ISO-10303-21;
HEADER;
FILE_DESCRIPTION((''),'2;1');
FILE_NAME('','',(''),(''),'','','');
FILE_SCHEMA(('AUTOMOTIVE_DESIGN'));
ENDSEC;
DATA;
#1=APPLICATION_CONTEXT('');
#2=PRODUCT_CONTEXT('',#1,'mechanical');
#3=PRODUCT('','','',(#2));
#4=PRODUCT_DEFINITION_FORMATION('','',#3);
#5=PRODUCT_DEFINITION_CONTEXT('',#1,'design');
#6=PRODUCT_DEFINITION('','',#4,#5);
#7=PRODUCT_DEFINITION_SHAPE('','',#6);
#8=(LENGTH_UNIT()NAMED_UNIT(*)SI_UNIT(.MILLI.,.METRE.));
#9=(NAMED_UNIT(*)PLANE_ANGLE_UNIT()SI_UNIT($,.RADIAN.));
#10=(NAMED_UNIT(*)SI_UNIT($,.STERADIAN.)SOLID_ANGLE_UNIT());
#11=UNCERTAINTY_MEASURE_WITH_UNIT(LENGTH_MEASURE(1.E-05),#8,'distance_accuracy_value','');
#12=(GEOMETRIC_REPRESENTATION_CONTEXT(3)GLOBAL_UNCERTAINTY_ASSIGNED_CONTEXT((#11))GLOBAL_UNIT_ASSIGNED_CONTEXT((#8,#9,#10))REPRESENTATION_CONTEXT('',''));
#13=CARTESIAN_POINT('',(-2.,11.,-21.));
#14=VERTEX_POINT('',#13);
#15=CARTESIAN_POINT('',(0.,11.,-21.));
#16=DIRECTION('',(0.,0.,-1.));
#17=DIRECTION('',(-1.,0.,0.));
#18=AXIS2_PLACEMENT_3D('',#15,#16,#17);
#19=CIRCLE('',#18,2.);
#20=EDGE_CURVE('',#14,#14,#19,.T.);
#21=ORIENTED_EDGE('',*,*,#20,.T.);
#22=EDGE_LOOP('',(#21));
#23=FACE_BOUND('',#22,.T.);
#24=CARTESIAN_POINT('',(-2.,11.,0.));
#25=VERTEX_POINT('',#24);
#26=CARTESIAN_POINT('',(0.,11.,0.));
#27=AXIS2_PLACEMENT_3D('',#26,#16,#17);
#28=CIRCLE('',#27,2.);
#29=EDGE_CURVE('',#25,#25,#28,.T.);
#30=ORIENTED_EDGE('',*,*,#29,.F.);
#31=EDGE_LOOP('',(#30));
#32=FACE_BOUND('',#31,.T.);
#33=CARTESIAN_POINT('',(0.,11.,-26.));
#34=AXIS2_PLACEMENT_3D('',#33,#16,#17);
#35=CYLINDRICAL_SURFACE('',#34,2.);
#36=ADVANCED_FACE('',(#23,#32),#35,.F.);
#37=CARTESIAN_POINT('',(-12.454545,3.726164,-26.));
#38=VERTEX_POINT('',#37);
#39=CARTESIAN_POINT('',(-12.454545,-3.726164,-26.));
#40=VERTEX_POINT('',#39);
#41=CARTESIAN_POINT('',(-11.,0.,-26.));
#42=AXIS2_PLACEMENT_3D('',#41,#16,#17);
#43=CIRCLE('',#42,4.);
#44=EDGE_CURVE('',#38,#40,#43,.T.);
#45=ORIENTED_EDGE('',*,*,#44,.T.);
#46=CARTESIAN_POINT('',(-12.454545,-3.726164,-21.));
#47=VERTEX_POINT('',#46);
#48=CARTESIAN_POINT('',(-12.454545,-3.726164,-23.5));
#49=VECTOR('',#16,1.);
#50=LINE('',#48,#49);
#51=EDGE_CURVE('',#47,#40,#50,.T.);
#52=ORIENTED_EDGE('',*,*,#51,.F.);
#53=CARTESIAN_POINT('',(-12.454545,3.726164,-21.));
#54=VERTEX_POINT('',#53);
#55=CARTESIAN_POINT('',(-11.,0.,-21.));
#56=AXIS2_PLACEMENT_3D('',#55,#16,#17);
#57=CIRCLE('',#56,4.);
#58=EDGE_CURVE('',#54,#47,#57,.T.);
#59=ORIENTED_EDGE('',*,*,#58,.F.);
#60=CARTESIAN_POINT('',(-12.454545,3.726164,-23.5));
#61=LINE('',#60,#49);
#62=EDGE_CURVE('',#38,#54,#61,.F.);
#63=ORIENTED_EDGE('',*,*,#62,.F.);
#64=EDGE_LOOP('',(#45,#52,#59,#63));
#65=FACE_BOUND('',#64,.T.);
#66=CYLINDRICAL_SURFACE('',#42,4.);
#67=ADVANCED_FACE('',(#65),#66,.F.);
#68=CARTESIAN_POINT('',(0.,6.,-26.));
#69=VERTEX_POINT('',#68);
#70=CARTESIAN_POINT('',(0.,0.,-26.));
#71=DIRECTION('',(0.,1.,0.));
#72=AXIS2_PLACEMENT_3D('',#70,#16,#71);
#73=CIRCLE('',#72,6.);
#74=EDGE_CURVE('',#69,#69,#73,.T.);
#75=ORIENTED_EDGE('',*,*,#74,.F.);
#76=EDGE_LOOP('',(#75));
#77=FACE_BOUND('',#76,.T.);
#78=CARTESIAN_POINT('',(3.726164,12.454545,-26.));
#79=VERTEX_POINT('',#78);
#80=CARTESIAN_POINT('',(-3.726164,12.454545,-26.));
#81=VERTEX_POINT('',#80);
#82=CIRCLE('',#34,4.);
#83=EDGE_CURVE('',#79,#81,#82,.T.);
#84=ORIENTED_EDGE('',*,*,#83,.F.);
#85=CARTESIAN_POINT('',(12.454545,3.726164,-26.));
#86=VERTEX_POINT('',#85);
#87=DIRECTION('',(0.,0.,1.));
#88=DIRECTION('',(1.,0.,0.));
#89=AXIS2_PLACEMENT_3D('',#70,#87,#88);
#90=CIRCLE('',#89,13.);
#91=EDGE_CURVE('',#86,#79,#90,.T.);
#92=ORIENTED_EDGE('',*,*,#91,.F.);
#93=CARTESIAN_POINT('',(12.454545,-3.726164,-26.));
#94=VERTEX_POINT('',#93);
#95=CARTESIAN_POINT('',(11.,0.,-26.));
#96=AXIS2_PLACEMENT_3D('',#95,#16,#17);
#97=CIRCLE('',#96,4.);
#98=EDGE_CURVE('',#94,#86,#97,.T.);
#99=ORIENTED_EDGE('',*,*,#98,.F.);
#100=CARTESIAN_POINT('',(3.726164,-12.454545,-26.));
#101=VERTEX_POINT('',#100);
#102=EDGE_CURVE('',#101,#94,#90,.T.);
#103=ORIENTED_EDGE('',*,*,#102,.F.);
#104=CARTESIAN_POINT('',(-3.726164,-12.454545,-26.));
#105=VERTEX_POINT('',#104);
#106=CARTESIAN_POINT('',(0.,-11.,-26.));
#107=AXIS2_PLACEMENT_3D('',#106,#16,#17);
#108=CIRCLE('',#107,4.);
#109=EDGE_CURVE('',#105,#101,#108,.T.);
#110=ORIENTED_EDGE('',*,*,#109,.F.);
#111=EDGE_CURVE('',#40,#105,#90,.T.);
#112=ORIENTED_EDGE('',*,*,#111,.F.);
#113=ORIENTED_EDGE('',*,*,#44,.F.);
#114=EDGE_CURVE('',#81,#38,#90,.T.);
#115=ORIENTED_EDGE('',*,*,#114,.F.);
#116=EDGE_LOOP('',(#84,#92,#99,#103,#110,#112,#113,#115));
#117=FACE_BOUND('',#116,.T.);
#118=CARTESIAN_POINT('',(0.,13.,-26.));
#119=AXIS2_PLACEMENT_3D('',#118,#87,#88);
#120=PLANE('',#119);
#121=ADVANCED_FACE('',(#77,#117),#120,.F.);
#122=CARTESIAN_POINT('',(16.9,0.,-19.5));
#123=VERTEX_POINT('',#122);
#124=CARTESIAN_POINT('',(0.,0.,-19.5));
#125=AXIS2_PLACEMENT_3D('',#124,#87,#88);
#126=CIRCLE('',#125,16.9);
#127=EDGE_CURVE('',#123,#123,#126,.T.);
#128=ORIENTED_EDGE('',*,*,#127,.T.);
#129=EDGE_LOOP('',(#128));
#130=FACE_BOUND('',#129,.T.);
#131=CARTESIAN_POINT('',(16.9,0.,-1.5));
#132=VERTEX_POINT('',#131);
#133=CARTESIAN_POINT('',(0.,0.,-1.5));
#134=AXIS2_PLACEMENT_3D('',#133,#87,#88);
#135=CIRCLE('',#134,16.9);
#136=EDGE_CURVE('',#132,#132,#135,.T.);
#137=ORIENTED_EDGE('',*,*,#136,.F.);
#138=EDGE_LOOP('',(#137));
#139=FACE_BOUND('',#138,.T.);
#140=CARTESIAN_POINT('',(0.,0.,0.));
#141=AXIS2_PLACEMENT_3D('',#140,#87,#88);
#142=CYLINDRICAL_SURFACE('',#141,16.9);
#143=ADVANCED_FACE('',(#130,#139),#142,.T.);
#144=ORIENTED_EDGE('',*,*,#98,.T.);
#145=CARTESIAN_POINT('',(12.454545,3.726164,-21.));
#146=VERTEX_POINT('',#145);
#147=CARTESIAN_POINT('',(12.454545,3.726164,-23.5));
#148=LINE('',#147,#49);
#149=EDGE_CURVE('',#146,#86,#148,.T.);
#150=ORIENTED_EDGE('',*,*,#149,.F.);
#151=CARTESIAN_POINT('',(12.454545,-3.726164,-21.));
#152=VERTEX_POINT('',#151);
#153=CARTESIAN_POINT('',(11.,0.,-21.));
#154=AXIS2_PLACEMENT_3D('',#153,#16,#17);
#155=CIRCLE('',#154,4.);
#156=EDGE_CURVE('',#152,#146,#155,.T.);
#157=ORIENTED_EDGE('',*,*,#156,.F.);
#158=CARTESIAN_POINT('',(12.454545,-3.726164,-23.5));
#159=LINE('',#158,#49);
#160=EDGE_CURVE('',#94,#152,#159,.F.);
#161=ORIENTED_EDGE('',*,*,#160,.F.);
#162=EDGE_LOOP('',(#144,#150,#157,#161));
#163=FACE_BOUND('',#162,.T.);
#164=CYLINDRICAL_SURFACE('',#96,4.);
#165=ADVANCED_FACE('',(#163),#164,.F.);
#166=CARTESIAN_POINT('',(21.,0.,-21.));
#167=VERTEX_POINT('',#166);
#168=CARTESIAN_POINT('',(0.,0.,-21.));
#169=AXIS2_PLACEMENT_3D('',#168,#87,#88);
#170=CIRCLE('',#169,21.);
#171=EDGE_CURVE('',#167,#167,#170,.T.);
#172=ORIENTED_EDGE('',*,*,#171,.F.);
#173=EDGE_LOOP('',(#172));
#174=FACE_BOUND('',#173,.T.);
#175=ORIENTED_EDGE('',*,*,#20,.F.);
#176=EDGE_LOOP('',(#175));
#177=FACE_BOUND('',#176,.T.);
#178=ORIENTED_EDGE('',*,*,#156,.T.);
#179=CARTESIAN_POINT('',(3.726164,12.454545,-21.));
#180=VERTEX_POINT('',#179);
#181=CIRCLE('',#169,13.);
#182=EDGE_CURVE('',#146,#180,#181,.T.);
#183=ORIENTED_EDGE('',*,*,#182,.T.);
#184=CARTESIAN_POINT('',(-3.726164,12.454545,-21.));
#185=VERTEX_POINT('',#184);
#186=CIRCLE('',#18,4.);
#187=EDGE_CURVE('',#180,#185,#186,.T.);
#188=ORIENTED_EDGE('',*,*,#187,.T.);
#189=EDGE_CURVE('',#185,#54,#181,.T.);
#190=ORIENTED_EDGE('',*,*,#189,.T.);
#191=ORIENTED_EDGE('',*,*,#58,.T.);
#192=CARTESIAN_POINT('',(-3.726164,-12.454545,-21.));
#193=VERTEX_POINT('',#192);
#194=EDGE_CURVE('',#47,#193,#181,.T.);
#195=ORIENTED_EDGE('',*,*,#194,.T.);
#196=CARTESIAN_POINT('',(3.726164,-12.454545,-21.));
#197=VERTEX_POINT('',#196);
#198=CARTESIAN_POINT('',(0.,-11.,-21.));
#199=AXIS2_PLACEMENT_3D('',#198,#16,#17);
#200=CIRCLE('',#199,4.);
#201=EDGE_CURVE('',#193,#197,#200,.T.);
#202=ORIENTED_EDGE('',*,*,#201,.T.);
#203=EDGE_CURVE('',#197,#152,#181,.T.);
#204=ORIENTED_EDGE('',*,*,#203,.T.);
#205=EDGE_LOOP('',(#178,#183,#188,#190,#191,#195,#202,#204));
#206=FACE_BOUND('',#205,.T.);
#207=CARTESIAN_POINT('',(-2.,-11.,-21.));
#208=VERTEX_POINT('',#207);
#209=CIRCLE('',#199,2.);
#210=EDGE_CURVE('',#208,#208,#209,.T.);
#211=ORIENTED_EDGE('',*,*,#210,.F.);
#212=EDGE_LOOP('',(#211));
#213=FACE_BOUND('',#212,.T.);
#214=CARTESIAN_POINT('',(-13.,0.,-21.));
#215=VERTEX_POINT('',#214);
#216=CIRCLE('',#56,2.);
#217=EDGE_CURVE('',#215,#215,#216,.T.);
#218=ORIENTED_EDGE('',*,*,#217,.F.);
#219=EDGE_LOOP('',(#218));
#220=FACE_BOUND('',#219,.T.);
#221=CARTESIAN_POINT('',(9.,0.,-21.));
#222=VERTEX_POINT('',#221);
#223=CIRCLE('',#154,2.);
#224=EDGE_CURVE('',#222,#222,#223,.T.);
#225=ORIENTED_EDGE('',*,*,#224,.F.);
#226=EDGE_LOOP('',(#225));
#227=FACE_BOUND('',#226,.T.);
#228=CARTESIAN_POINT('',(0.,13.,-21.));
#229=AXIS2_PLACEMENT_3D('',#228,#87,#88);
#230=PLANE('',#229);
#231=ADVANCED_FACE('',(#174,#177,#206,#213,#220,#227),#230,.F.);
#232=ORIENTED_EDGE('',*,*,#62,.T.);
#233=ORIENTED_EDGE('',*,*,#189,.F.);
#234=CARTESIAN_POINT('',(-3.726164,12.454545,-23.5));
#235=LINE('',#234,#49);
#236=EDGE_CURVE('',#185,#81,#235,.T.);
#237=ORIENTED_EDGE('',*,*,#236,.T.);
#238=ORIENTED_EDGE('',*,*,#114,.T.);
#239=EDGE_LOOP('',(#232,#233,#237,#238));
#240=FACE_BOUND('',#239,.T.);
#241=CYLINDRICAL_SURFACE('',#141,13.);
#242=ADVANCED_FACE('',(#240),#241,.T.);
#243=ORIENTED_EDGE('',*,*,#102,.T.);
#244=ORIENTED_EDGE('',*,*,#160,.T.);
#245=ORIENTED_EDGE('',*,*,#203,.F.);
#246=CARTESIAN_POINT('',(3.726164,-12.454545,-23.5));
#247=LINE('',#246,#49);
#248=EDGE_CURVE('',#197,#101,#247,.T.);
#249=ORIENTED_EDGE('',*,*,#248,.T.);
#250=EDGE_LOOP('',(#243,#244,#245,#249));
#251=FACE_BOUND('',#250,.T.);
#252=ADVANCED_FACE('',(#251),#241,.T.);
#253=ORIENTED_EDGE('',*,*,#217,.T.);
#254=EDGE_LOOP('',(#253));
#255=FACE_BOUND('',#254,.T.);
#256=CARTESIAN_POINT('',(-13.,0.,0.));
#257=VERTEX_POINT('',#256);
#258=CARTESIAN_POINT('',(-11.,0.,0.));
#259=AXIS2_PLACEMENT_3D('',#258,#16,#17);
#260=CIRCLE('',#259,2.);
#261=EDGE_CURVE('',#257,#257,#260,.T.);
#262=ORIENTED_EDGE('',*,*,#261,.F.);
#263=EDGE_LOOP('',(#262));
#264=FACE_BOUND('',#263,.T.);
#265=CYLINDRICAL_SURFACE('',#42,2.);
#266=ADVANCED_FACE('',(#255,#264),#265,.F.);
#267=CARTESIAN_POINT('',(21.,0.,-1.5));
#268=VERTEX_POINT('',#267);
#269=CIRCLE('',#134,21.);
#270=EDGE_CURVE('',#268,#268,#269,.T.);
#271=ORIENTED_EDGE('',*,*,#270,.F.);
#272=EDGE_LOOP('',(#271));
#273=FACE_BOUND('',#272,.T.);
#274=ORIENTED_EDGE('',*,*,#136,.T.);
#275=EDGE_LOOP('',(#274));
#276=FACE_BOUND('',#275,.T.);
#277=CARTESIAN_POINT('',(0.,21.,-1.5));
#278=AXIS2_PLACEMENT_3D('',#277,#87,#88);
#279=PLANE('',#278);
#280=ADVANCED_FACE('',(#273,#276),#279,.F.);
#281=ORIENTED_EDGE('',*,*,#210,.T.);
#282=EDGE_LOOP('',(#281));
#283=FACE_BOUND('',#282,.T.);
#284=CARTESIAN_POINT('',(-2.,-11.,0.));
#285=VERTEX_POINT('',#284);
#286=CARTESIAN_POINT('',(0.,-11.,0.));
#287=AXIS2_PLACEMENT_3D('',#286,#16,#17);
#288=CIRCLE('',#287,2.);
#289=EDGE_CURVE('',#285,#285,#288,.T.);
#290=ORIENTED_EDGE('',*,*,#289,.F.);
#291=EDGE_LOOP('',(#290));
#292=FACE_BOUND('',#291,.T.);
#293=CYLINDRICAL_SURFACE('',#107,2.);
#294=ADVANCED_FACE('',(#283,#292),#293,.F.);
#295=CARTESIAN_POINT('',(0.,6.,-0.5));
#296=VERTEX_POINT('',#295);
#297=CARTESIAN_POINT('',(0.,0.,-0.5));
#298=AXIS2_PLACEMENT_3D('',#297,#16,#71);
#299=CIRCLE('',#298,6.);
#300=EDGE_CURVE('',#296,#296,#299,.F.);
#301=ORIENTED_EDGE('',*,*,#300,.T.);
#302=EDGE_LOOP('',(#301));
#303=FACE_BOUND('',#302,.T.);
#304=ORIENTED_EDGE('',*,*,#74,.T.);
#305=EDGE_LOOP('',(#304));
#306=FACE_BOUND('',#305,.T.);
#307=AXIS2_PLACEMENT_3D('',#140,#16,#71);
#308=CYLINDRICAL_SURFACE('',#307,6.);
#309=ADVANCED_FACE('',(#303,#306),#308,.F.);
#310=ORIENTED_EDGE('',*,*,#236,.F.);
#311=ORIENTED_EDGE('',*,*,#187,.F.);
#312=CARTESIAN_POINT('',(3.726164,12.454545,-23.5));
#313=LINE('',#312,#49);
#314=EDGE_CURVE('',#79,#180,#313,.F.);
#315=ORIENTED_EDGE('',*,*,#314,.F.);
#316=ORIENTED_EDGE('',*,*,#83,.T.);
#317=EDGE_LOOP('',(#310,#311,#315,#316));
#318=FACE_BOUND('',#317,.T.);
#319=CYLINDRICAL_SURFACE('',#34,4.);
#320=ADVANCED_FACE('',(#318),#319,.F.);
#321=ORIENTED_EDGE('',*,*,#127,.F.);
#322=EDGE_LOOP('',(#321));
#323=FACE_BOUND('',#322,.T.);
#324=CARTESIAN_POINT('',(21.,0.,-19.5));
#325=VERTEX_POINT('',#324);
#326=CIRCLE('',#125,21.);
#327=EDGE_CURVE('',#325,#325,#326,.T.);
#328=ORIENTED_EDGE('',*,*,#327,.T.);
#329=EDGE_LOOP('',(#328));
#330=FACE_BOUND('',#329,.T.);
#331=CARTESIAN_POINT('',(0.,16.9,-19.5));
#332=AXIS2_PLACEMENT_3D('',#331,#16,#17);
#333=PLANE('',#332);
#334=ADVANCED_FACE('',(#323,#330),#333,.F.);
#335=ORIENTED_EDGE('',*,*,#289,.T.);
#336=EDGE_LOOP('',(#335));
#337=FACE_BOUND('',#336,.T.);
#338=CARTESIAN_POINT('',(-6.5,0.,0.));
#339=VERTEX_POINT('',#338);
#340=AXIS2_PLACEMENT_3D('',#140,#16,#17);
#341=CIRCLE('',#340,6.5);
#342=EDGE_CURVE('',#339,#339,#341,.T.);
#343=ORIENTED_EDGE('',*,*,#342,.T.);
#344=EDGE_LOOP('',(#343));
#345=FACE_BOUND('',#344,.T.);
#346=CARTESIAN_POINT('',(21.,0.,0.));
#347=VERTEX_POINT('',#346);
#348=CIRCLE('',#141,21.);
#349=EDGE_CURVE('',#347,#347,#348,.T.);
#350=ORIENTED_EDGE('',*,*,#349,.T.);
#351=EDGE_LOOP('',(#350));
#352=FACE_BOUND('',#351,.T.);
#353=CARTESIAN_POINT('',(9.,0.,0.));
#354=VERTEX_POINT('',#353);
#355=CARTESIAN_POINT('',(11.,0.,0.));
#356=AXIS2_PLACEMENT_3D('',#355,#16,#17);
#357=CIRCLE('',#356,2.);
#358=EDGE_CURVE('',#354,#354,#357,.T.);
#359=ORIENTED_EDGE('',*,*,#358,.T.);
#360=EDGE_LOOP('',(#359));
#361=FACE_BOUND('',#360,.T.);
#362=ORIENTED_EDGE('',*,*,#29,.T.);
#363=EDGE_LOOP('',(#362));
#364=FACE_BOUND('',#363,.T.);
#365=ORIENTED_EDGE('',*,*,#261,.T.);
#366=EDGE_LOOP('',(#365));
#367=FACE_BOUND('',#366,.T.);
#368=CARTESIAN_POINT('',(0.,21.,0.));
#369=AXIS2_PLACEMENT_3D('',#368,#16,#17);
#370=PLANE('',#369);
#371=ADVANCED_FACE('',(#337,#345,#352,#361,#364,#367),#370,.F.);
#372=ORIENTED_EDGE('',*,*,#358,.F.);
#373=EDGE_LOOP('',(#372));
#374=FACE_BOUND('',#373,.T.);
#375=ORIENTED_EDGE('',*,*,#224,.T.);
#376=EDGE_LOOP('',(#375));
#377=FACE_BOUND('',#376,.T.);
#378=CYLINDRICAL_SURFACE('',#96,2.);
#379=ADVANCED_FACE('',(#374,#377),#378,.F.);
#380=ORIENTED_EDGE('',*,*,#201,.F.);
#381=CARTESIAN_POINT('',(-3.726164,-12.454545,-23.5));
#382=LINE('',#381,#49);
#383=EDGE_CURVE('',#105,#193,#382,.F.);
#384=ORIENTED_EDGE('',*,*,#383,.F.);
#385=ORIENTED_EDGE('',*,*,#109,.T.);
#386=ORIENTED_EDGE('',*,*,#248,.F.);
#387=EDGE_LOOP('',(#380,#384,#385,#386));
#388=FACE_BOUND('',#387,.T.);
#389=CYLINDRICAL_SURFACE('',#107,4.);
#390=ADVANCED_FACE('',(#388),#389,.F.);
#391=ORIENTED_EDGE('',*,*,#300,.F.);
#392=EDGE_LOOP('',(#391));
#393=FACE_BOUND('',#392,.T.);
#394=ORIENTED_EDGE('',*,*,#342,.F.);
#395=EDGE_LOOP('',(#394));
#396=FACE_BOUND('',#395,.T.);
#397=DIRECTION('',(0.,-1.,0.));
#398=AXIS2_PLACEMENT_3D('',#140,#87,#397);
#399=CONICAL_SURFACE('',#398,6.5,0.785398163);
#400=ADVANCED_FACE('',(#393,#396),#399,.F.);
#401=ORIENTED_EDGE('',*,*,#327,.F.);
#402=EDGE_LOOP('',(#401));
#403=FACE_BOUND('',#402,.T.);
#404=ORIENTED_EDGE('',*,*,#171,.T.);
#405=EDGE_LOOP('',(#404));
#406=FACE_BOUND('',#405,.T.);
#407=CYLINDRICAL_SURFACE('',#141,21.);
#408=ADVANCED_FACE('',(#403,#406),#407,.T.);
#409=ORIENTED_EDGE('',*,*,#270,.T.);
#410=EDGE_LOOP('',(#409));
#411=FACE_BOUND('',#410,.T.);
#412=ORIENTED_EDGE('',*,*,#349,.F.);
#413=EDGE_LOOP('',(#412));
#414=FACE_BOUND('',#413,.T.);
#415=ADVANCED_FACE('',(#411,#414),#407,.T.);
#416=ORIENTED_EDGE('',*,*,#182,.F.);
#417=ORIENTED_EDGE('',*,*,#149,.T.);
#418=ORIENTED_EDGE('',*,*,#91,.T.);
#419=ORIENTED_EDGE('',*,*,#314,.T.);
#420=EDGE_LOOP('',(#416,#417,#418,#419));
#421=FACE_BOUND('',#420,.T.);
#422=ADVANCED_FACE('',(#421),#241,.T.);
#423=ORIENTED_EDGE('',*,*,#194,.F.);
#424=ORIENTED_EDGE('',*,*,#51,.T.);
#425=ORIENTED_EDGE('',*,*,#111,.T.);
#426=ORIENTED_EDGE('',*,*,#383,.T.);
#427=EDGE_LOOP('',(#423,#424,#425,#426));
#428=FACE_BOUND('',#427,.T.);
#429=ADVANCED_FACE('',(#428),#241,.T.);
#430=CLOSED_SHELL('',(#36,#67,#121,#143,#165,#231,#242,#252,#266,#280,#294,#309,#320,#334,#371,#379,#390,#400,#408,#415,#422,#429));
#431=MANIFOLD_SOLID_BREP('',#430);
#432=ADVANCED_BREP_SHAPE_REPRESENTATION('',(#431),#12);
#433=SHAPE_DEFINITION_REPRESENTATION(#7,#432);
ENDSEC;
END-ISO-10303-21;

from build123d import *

# Parameters (mm, degrees)
SKETCH2_R                                           = 6
CUT_EXTRUDE1_DEPTH                                  = 27
CBORE_FOR_M4_HEX_SOCKET_HEAD_CAP_SCREW1_D           = 4
CBORE_FOR_M4_HEX_SOCKET_HEAD_CAP_SCREW1_CBORE_D     = 8
CBORE_FOR_M4_HEX_SOCKET_HEAD_CAP_SCREW1_CBORE_DEPTH = 5
CHAMFER1_SIZE                                       = 0.5


with BuildPart() as part:
    # Sketch1 → Revolve1 (revolve)
    with BuildSketch(Plane(origin=(0, 0, 0), x_dir=(0, 0, -1), z_dir=(1, 0, 0))):
        Polygon((0, 0), (26, 0), (26, 13), (21, 13), (21, 21), (19.5, 21), (19.5, 16.9), (1.5, 16.9), (1.5, 21), (0, 21), align=None)
    revolve(axis=Axis((0, 0, 0), (0, 0, -1)))

    # Sketch2 → Cut-Extrude1 (cut, through all)
    with BuildSketch(Plane(origin=(0, 0, -26), x_dir=(-1, 0, 0), z_dir=(0, 0, -1))):
        Circle(SKETCH2_R)
    extrude(amount=-CUT_EXTRUDE1_DEPTH, mode=Mode.SUBTRACT)

    # CBORE for M4 Hex Socket Head Cap Screw1 (through all)
    with Locations(Plane(origin=(0, 0, -26), x_dir=(-1, 0, 0), z_dir=(0, 0, -1))):
        with Locations((0, 11), (11, 0), (0, -11), (-11, 0)):
            CounterBoreHole(CBORE_FOR_M4_HEX_SOCKET_HEAD_CAP_SCREW1_D / 2, CBORE_FOR_M4_HEX_SOCKET_HEAD_CAP_SCREW1_CBORE_D / 2, CBORE_FOR_M4_HEX_SOCKET_HEAD_CAP_SCREW1_CBORE_DEPTH)

    # Chamfer1
    chamfer1_edges = [part.edges().sort_by_distance(p)[0] for p in [
        (6, 0, 0),
    ]]
    chamfer(chamfer1_edges, length=CHAMFER1_SIZE)


solid = part.part
